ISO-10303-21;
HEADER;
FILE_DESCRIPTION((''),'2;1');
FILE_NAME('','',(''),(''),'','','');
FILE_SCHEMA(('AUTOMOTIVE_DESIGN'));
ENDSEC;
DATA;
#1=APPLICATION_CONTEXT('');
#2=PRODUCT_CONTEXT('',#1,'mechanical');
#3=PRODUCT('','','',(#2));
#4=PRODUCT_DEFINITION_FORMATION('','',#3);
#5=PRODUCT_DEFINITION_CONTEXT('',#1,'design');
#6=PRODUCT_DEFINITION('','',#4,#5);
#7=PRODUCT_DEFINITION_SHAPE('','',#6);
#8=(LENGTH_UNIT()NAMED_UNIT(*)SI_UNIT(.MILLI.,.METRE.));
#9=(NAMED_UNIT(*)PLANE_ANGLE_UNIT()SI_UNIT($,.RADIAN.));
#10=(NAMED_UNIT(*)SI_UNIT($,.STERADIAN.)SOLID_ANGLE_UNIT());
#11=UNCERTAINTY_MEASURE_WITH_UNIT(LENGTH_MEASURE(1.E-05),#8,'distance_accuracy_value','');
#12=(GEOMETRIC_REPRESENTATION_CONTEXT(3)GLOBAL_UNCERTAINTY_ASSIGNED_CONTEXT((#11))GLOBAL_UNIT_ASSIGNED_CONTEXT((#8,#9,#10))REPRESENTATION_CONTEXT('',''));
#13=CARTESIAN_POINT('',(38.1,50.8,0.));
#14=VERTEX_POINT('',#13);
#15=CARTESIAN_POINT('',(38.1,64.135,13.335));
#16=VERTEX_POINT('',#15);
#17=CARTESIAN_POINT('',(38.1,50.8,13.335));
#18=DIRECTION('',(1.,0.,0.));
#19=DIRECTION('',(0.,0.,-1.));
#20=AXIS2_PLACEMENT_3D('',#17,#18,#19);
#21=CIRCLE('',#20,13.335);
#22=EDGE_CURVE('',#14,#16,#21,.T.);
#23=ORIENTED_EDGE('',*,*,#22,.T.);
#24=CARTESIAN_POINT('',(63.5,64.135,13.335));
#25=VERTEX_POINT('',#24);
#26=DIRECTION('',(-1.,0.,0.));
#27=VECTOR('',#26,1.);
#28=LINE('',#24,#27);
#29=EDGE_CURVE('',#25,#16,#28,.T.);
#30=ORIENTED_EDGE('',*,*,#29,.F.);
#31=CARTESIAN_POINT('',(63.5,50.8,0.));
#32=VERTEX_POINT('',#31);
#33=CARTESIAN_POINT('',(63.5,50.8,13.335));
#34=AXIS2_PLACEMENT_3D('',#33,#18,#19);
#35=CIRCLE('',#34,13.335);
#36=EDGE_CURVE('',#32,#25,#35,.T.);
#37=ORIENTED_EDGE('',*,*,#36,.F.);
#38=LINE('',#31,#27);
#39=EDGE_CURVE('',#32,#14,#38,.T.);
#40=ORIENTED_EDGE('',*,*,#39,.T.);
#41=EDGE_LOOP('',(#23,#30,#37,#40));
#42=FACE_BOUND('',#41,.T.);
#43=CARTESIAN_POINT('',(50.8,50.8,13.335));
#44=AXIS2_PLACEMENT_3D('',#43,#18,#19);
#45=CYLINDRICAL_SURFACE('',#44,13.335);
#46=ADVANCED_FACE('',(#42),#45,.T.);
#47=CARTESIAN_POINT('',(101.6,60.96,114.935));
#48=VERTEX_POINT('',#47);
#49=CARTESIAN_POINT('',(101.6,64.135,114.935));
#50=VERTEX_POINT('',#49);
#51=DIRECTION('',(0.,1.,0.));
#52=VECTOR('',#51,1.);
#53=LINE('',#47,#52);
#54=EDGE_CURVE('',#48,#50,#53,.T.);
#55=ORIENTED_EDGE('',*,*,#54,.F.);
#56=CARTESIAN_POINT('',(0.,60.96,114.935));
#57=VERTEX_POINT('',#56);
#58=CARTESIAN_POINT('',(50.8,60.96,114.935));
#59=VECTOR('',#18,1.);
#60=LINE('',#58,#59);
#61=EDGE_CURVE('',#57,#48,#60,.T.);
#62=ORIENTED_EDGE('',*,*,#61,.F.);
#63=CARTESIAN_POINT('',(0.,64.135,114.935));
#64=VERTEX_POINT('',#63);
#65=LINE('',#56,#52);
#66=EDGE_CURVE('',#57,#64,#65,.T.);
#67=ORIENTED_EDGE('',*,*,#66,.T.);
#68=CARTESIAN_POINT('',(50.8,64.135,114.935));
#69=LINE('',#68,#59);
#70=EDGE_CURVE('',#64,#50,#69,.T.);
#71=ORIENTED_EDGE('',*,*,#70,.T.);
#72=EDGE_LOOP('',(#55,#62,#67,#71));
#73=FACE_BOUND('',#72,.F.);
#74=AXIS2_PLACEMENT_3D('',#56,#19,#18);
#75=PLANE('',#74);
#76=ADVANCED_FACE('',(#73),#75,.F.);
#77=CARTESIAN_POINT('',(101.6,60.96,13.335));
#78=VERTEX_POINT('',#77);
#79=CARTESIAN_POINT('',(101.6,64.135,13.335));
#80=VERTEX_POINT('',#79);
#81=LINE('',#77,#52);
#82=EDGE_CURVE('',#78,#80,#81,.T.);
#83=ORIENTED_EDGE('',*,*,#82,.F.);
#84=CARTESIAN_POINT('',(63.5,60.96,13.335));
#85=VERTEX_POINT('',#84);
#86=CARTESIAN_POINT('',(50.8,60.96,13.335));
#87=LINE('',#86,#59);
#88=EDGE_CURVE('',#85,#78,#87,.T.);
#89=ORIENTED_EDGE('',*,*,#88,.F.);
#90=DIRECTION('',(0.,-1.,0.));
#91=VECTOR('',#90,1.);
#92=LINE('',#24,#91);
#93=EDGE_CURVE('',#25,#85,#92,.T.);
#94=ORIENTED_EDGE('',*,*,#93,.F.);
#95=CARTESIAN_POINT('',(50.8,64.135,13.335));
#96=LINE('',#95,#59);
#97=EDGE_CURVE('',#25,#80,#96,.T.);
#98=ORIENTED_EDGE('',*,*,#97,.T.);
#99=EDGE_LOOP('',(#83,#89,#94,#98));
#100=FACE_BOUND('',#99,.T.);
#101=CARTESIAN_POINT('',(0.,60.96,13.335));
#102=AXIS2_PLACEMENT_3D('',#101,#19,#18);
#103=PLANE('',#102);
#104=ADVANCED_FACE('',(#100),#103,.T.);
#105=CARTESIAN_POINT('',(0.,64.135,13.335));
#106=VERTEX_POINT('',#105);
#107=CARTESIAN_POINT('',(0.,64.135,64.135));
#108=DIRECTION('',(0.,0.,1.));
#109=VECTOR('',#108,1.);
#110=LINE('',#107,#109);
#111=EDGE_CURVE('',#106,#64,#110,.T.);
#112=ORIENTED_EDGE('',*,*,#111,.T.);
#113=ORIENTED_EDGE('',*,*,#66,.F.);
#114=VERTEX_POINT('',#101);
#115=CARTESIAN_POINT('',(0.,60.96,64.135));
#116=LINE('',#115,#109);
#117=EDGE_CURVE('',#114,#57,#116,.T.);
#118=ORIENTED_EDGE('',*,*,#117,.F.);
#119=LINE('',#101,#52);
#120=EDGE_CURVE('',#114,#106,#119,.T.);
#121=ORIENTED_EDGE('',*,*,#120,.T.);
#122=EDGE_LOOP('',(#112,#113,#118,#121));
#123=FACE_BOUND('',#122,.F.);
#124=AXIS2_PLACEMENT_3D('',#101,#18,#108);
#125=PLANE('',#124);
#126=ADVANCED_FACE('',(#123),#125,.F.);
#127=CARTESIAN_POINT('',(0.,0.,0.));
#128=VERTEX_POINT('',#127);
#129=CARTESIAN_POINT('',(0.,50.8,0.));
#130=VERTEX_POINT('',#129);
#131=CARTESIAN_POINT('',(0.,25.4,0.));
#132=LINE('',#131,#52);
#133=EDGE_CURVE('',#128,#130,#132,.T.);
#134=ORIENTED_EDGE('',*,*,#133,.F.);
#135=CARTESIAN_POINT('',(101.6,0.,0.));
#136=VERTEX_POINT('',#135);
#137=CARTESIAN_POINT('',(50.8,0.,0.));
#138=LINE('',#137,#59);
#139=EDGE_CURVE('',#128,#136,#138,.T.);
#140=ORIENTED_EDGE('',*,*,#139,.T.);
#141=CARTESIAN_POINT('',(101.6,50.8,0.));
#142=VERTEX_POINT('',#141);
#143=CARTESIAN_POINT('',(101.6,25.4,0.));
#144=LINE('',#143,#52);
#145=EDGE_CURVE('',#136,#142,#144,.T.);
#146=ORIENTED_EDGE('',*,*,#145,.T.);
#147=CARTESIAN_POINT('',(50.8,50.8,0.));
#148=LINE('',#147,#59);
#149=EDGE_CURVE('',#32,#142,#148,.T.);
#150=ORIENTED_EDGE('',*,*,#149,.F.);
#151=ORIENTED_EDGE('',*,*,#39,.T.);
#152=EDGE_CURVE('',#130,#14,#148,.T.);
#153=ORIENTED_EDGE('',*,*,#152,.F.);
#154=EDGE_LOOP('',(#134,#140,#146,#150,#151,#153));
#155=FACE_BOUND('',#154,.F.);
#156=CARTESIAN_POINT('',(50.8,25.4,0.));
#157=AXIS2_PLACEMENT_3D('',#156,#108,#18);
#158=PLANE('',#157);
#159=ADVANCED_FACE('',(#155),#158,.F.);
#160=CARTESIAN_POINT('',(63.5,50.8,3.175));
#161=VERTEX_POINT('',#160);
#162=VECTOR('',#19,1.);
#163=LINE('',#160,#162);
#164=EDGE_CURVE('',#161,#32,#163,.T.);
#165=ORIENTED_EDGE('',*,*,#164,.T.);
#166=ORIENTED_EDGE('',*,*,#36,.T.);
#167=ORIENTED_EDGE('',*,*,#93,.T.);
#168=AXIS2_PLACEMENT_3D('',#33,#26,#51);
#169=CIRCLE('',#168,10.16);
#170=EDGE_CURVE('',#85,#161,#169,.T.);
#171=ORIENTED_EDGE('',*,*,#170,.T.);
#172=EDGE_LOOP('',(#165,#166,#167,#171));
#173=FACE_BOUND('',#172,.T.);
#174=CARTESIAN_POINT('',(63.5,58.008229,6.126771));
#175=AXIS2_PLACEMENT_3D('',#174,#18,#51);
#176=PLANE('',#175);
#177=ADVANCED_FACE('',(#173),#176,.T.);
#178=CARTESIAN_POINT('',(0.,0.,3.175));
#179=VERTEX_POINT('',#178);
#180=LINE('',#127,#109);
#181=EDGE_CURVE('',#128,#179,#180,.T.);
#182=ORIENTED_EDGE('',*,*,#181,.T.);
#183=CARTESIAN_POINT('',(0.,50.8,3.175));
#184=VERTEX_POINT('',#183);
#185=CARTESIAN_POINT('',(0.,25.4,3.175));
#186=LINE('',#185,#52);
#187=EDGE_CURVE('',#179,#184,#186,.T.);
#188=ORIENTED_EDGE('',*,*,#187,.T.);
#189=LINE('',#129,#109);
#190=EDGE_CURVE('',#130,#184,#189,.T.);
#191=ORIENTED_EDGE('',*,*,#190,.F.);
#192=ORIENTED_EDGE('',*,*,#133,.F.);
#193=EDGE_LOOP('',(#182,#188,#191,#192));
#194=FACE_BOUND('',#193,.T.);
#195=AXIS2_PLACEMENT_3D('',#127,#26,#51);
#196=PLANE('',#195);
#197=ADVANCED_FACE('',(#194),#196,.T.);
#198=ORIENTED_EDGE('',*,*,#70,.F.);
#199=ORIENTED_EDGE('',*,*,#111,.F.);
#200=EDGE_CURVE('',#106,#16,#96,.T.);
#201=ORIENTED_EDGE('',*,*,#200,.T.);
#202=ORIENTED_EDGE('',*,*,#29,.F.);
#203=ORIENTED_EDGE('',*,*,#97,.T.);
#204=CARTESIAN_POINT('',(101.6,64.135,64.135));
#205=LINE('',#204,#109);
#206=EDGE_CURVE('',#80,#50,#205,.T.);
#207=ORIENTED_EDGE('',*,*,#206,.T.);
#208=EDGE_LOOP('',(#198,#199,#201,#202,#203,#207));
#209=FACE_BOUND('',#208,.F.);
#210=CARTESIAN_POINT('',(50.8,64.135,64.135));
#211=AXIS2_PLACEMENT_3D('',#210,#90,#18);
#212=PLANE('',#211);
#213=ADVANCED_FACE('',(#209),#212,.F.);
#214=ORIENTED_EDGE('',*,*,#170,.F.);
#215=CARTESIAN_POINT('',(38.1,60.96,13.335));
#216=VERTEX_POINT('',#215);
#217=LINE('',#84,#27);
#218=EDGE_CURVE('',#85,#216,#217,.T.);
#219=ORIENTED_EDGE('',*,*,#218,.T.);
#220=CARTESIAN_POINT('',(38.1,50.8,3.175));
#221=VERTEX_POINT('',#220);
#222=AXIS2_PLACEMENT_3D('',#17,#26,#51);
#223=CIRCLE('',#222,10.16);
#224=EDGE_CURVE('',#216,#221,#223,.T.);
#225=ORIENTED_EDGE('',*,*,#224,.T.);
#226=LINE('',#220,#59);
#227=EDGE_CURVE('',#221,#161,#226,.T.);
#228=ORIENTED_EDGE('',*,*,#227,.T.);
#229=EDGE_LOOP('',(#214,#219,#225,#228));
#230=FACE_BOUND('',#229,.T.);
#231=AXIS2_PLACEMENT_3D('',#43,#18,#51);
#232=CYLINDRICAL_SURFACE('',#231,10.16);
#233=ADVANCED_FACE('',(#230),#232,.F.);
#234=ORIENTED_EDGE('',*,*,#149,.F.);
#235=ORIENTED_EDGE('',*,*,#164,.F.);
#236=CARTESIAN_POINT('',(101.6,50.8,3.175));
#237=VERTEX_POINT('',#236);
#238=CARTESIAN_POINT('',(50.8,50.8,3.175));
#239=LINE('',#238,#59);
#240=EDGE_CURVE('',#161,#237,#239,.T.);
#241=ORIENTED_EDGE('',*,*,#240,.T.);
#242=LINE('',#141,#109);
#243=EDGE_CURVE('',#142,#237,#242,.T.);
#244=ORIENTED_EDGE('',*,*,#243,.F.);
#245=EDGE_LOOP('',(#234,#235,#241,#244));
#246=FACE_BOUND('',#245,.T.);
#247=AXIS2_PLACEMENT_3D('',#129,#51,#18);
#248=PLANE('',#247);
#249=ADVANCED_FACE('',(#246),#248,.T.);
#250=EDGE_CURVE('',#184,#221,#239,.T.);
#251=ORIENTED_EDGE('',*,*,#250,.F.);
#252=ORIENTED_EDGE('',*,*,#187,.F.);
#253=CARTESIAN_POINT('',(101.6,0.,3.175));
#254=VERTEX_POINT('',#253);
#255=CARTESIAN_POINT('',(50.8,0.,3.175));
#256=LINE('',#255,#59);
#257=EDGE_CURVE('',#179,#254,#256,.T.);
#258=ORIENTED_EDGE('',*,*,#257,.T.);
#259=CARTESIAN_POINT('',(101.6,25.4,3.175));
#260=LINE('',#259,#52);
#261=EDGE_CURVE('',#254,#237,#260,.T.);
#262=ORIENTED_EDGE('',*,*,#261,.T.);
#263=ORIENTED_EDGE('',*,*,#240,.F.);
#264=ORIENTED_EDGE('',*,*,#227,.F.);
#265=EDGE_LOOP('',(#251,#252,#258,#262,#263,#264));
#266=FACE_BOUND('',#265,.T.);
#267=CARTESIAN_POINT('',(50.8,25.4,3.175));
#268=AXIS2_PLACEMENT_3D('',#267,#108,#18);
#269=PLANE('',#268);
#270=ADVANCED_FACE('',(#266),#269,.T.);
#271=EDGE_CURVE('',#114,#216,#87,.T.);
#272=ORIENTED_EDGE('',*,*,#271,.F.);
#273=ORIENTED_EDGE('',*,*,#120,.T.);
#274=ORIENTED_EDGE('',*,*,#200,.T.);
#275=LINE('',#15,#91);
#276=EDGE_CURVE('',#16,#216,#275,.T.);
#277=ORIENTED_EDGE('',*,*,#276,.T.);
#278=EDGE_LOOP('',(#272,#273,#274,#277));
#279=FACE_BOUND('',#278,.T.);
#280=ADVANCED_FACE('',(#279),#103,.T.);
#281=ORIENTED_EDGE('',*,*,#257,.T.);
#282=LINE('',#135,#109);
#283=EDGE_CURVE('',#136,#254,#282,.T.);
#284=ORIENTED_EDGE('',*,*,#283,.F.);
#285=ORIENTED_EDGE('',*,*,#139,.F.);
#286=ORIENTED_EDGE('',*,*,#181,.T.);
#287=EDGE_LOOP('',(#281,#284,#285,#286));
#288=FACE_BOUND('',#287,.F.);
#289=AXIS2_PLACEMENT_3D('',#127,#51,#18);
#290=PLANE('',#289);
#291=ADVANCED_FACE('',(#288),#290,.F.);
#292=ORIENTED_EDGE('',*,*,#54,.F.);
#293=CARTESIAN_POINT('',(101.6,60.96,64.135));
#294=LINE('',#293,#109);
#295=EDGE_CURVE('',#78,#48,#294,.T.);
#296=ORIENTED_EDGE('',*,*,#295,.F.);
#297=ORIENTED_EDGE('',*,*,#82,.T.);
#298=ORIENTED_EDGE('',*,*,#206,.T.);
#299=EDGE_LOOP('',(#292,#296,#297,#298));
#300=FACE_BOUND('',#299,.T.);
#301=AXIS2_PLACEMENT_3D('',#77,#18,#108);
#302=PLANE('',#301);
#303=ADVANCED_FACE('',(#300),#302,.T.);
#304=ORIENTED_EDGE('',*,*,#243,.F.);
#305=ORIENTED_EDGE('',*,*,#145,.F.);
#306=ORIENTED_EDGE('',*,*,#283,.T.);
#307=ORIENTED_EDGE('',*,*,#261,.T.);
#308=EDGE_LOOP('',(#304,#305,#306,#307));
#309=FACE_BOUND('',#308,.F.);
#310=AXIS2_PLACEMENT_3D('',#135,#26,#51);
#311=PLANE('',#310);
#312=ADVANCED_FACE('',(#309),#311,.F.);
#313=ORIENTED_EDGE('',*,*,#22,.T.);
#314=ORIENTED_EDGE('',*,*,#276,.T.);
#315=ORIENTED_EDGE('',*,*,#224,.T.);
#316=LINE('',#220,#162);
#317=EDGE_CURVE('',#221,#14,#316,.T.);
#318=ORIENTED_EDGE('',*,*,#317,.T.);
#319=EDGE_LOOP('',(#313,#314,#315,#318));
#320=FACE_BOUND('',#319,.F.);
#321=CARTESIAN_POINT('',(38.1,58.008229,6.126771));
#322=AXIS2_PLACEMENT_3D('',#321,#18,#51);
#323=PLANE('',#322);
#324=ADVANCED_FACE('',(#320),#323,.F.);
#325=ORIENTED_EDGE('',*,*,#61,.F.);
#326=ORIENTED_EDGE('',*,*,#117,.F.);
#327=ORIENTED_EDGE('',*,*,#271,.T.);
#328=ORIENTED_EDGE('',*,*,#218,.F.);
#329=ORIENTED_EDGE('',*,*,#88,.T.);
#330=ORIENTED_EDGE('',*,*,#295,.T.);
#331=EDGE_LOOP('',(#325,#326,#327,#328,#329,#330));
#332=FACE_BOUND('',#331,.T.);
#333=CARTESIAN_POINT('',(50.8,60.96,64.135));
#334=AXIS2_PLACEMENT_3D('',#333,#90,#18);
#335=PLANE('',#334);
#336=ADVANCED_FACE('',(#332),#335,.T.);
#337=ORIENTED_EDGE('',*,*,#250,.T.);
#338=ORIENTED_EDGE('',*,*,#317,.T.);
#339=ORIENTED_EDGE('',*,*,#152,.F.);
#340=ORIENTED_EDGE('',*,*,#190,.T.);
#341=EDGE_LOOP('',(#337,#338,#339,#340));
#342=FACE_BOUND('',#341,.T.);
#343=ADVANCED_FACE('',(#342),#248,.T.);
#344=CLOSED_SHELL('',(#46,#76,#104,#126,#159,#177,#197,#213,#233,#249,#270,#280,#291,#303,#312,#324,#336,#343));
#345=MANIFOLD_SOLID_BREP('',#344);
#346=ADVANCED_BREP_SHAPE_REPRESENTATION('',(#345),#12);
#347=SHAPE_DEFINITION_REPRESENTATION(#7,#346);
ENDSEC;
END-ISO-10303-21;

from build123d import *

# Parameters (mm, degrees)
F0_W          = 101.6
F0_H          = 50.8
F1_DEPTH      = 3.175
F5_DEPTH      = 12.7
F5_DEPTH_BACK = 12.7
F8_W          = 101.6
F8_H          = 101.6
F9_DEPTH      = 3.175


with BuildPart() as f1:
    # F0 (on Top) → F1 (new body)
    with BuildSketch(Plane.XY):
        with Locations((50.8, 25.4)):
            Rectangle(F0_W, F0_H)
    extrude(amount=F1_DEPTH)

    # F4 (on plane+point) → F5 (join, two sides)
    with BuildSketch(Plane.YZ.offset(50.8)) as f5_sk:
        with BuildLine():
            ThreePointArc((60.96, 13.335), (57.9842048969, 6.1507951031), (50.8, 3.175))
            Line((50.8, 3.175), (50.8, 0))
            ThreePointArc((50.8, 0), (60.2292689271, 3.9057310729), (64.135, 13.335))
            Line((64.135, 13.335), (60.96, 13.335))
        make_face()
    extrude(amount=F5_DEPTH)
    extrude(f5_sk.sketch, amount=-F5_DEPTH_BACK)

    # F8 (on plane+point) → F9 (join)
    with BuildSketch(Plane.XZ.offset(-60.96)):
        with Locations((50.8, 64.135)):
            Rectangle(F8_W, F8_H)
    extrude(amount=-F9_DEPTH)


solid = f1.part
